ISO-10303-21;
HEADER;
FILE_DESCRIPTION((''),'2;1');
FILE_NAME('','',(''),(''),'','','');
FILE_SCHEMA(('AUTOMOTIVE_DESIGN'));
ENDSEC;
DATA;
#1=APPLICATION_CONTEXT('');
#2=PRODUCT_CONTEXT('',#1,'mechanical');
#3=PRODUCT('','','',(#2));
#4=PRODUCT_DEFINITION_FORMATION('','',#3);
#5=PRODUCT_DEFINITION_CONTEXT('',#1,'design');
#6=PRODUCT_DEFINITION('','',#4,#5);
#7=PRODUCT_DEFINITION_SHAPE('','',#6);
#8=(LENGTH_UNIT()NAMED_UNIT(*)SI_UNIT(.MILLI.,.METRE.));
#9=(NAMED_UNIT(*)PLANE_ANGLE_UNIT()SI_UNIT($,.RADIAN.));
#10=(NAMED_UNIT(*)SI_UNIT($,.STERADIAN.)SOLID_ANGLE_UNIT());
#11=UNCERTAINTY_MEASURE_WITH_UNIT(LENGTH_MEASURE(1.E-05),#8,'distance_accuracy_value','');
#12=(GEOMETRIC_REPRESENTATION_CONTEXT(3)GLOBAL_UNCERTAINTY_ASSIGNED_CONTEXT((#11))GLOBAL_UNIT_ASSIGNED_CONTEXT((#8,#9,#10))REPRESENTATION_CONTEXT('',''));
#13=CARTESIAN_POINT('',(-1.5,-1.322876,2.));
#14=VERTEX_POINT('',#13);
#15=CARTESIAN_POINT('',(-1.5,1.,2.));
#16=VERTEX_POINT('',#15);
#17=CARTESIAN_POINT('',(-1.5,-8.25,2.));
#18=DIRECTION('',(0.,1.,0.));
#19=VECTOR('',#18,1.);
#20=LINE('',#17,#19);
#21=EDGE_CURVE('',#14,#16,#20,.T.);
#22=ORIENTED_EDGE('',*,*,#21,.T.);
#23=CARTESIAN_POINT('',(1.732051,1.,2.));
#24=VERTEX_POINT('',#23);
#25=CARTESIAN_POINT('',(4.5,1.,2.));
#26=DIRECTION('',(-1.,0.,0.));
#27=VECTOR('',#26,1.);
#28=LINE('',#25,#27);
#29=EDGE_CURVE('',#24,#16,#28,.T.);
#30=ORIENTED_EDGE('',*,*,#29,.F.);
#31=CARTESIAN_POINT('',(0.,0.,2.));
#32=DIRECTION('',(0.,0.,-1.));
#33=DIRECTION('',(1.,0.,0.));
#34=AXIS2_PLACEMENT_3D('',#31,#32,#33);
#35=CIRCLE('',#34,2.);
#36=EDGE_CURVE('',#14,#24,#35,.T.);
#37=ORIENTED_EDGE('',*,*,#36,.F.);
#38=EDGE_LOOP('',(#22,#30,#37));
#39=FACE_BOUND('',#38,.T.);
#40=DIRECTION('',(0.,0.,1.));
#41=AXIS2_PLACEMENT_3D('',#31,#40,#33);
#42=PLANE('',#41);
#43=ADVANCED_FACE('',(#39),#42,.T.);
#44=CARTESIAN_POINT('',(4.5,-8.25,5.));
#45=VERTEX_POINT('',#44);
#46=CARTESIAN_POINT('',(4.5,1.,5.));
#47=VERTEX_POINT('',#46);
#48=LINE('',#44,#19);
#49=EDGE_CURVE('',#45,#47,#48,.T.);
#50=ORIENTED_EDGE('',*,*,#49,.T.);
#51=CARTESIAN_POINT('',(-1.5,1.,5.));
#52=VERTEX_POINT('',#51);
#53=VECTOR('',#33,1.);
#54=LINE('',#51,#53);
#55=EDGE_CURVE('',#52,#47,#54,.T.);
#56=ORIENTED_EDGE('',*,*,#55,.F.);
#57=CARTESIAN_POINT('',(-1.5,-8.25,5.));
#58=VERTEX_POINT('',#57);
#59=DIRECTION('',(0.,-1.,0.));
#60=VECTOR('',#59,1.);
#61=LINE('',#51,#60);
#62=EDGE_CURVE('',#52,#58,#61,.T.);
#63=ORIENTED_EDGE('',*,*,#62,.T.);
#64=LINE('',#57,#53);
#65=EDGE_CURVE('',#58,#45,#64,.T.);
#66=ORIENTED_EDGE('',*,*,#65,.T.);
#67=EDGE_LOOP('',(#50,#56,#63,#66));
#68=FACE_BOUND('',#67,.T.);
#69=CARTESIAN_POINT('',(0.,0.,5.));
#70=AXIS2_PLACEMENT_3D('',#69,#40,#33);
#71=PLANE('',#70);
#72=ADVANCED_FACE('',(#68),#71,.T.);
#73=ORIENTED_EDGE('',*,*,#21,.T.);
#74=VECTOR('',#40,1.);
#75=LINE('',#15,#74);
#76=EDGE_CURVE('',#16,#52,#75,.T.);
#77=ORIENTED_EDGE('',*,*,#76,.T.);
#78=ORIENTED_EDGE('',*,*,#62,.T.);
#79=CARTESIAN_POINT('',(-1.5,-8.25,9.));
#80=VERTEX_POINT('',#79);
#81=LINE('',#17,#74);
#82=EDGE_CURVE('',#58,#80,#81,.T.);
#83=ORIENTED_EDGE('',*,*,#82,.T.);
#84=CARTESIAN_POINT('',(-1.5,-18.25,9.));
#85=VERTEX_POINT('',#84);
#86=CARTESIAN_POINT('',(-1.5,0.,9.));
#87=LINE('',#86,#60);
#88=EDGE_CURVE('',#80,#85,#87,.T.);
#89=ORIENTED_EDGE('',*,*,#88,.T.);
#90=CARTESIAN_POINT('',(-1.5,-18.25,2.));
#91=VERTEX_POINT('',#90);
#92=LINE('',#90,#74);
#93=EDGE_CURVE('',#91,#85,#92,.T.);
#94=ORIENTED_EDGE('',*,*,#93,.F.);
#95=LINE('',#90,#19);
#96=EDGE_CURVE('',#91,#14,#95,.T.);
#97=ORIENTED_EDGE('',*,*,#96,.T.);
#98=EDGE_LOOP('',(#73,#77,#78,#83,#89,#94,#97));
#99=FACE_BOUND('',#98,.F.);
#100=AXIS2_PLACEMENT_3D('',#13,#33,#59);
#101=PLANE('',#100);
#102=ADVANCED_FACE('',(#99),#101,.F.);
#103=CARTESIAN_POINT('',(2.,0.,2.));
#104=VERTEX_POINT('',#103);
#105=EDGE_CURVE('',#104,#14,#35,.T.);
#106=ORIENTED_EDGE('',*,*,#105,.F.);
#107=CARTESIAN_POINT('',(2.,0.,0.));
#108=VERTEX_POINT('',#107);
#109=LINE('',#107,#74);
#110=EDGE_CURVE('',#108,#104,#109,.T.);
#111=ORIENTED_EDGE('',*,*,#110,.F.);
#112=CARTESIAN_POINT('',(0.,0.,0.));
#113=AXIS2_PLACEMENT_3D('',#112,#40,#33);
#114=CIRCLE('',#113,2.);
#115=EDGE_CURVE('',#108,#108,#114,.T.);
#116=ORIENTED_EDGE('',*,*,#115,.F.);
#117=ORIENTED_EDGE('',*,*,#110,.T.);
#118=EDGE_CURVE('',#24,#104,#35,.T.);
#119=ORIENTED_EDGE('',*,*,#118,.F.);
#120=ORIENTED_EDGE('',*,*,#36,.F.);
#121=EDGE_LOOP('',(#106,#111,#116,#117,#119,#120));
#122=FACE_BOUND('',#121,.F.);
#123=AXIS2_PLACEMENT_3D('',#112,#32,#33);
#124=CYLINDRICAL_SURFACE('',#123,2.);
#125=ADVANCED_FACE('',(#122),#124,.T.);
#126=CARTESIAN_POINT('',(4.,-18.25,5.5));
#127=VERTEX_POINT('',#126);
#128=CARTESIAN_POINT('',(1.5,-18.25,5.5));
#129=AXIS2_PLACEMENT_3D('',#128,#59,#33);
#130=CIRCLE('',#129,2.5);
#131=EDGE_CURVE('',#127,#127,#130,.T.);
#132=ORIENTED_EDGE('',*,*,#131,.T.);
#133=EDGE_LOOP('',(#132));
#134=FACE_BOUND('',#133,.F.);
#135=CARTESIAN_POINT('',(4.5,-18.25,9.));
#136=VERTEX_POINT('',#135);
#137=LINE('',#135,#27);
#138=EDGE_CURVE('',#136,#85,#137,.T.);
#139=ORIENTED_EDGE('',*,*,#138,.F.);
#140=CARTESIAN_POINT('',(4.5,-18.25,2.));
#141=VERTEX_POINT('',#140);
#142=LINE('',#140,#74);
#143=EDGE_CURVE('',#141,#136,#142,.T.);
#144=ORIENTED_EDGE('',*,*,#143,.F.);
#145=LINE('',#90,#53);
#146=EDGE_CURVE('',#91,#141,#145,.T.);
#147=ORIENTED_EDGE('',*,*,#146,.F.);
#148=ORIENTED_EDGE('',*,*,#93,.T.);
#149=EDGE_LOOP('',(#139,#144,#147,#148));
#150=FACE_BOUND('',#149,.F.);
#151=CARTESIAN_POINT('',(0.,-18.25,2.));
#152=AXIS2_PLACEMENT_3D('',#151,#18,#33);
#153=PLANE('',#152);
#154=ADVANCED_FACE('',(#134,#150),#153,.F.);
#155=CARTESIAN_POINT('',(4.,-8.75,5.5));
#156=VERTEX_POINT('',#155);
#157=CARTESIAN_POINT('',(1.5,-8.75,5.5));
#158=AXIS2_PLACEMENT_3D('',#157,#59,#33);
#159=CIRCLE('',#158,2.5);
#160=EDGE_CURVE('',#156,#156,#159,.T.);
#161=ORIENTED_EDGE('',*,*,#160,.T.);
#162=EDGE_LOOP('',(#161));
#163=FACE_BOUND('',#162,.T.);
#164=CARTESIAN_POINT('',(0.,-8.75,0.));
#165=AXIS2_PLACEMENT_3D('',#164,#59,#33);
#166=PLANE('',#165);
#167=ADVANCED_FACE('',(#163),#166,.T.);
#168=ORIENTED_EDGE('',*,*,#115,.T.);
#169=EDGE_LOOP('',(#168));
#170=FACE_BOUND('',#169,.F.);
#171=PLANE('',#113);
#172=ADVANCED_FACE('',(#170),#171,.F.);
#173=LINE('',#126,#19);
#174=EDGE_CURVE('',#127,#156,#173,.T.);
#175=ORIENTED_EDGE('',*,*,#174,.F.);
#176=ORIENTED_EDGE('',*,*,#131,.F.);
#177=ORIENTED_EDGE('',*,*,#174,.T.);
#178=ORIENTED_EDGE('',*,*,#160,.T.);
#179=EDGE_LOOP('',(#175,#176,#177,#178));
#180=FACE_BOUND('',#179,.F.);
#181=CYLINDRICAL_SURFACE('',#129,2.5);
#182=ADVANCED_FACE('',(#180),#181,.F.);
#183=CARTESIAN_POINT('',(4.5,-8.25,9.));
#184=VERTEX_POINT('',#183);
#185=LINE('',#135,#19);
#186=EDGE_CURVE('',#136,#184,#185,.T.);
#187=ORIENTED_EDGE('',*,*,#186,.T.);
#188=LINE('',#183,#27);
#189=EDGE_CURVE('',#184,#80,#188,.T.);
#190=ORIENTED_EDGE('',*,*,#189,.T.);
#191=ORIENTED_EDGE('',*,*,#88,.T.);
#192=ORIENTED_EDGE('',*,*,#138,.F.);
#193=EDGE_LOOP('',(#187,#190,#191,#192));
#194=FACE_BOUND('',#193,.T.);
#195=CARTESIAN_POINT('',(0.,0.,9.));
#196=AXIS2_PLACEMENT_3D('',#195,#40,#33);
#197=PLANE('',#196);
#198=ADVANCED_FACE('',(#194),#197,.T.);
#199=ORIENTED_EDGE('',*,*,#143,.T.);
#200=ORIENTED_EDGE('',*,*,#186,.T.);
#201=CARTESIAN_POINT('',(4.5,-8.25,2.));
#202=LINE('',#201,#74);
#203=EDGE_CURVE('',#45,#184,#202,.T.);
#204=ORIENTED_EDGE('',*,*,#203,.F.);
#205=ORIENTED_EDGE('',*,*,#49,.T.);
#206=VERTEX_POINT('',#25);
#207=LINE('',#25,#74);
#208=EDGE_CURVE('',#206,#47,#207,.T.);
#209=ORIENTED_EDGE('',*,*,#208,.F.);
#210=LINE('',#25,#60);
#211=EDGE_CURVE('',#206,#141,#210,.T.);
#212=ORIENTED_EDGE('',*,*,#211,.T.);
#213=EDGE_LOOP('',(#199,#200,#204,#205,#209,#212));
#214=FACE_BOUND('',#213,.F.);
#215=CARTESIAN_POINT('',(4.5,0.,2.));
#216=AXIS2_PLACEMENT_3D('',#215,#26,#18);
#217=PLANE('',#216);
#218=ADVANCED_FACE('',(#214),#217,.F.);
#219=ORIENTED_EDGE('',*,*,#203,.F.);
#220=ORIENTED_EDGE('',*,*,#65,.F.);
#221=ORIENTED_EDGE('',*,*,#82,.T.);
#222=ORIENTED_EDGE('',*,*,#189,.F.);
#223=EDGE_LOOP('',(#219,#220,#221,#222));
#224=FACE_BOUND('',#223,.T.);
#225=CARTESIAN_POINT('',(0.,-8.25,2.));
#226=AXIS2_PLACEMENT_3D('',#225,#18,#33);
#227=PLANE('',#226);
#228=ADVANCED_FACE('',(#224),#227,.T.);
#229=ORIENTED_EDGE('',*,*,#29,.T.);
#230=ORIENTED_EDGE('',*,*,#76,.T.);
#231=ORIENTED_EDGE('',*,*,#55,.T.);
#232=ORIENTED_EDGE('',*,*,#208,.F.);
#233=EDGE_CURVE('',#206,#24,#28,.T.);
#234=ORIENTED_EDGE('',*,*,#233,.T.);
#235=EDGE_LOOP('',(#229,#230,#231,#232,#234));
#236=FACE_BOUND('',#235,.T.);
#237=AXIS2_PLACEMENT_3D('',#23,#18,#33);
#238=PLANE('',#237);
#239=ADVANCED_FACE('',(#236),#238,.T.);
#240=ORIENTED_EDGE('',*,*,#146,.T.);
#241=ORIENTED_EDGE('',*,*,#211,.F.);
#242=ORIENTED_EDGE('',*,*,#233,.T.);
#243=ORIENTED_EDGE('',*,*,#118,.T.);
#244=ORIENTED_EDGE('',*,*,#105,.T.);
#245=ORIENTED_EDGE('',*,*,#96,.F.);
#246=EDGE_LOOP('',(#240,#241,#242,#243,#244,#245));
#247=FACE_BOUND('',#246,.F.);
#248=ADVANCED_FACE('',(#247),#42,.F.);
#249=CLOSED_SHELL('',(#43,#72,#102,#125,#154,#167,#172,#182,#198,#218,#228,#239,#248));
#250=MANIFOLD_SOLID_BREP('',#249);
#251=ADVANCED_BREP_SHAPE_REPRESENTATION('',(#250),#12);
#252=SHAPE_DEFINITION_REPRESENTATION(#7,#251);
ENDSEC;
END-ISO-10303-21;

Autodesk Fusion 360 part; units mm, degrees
sketch "Skizze1" plane through (0, 0, 0) normal (0, 0, 1) x (1, 0, 0)
  circle A0 centre (0, 0) radius 3
  line L0 (2.5981, 1.5) -> (-2.5981, 1.5)
  circle A1 centre (0, 0) radius 2
  line L1 (-2.5981, 1.5) -> (-2.5981, 1)
  line L2 (-2.5981, 1) -> (-2.8284, 1)
  line L3 (-2.5981, 1) -> (2.8284, 1)
  line L4 (3, 0) -> (4.5, 0)
  line L5 (4.5, 0) -> (4.5, 1)
  line L6 (4.5, 1) -> (2.8284, 1)
  line L7 (-3, 0) -> (-4.5, 0)
  line L8 (-4.5, 0) -> (-4.5, 1)
  line L9 (-4.5, 1) -> (-2.8284, 1)
  line L10 (0, -3) -> (0, -4.5)
  line L11 (0, -4.5) -> (4.5, -4.5)
  line L12 (4.5, -4.5) -> (4.5, 0)
  line L13 (-4.5, 0) -> (-4.5, -4.5)
  line L14 (-4.5, -4.5) -> (0, -4.5)
  circle A2 centre (0, 0) radius 1.75
  line L15 (0, 1.75) -> (0, -8.25)
  line L16 (0, -8.25) -> (0, -18.25)
  line L17 (0, -8.25) -> (-4.5, -8.25)
  line L18 (-4.5, -8.25) -> (-4.5, -4.5)
  line L19 (0, -8.25) -> (4.5, -8.25)
  line L20 (4.5, -8.25) -> (4.5, -4.5)
  line L21 (4.5, -8.25) -> (4.4512, -8.25)
  line L22 (4.5, -8.25) -> (-4.5, -8.25)
  line L23 (-4.5, -8.25) -> (-4.5, -18.25)
  line L24 (-4.5, -18.25) -> (4.5, -18.25)
  line L25 (4.5, -18.25) -> (4.5, -8.25)
  line L26 (0, 0) -> (1.5, 0)
  line L27 (1.5, 0) -> (1.5, 1)
  line L28 (1.5, 0) -> (1.5, -18.25)
  line L29 (0, 0) -> (-1.5, 0)
  line L30 (-1.5, 0) -> (-1.5, 1)
  line L31 (-1.5, 0) -> (-1.5, -18.25)
  dimension "d2" = 6
  dimension "d3" = 0.5
  dimension "d4" = 1.5
  dimension "d5" = 1.5
  dimension "d6" = 1.5
  dimension "d7" = 4
  dimension "d8" = 3.5
  dimension "d19" = 10
  dimension "d20" = 10
  dimension "d21" = 9
  dimension "d22" = 10
  dimension "d32" = 1.5
  dimension "d33" = 1.5
extrude "Extrusion2" add sketch "Skizze1" along normal blind 2 contours L0 A1 L3 A2 | A1 L3 A2 L27 L28 | A1 A2 L15 L28 | L0 A1 A2 | L3 A2 L27 | A1 A2 L15 L31 | A2 L27 L28 | A2 L15 L26 L28 | L0 A1 L3 A2 | L0 L3 A2 L15 | L0 A2 L15 | L3 A2 L15 L26 L27 | A1 L3 A2 L30 L31 | A2 L15 L29 L31 | L0 A2 L15 | L0 L3 A2 L15 | L3 A2 L15 L29 L30 | A2 L30 L31 | L3 A2 L30
extrude "Extrusion5" add sketch "Skizze1" along normal blind 3 from surface at 2 contours A0 A1 L3 L28 | A0 L4 L11 L12 L28 | A0 L4 L5 L6 | A0 L10 L11 L15 L28 | A0 A1 L15 L28 | A1 L3 A2 L27 L28 | A0 L10 L14 L15 L31 | A0 A1 L15 L31 | A1 A2 L15 L28 | L11 L15 L19 L22 L28 | L11 L19 L20 L21 L22 L28 | L3 A2 L27 | L14 L15 L17 L22 L31 | A1 A2 L15 L31 | A2 L27 L28 | A2 L15 L26 L28 | L3 A2 L15 L26 L27 | A2 L15 L29 L31 | L3 A2 L15 L29 L30 | L3 A2 L30
extrude "Extrusion6" add sketch "Skizze1" along normal blind 7 from surface at 2 contours L16 L19 L22 L24 L28 | L19 L21 L22 L24 L25 L28 | L16 L17 L22 L24 L31
sketch "Skizze2" plane through (0, -18.25, 0) normal (0, -1, 0) x (1, 0, 0)
  line L0 (-1.5, 2) -> (4.5, 2)
  line L1 (4.5, 9) -> (-1.5, 9)
  circle A0 centre (1.5, 5.5) radius 2.5
  line L2 (4.5, 2) -> (4.5, 9)
  line L3 (-1.5, 9) -> (-1.5, 2)
  dimension "d29" = 5
extrude "Extrusion7" cut sketch "Skizze2" against normal blind 9.5 contours A0
